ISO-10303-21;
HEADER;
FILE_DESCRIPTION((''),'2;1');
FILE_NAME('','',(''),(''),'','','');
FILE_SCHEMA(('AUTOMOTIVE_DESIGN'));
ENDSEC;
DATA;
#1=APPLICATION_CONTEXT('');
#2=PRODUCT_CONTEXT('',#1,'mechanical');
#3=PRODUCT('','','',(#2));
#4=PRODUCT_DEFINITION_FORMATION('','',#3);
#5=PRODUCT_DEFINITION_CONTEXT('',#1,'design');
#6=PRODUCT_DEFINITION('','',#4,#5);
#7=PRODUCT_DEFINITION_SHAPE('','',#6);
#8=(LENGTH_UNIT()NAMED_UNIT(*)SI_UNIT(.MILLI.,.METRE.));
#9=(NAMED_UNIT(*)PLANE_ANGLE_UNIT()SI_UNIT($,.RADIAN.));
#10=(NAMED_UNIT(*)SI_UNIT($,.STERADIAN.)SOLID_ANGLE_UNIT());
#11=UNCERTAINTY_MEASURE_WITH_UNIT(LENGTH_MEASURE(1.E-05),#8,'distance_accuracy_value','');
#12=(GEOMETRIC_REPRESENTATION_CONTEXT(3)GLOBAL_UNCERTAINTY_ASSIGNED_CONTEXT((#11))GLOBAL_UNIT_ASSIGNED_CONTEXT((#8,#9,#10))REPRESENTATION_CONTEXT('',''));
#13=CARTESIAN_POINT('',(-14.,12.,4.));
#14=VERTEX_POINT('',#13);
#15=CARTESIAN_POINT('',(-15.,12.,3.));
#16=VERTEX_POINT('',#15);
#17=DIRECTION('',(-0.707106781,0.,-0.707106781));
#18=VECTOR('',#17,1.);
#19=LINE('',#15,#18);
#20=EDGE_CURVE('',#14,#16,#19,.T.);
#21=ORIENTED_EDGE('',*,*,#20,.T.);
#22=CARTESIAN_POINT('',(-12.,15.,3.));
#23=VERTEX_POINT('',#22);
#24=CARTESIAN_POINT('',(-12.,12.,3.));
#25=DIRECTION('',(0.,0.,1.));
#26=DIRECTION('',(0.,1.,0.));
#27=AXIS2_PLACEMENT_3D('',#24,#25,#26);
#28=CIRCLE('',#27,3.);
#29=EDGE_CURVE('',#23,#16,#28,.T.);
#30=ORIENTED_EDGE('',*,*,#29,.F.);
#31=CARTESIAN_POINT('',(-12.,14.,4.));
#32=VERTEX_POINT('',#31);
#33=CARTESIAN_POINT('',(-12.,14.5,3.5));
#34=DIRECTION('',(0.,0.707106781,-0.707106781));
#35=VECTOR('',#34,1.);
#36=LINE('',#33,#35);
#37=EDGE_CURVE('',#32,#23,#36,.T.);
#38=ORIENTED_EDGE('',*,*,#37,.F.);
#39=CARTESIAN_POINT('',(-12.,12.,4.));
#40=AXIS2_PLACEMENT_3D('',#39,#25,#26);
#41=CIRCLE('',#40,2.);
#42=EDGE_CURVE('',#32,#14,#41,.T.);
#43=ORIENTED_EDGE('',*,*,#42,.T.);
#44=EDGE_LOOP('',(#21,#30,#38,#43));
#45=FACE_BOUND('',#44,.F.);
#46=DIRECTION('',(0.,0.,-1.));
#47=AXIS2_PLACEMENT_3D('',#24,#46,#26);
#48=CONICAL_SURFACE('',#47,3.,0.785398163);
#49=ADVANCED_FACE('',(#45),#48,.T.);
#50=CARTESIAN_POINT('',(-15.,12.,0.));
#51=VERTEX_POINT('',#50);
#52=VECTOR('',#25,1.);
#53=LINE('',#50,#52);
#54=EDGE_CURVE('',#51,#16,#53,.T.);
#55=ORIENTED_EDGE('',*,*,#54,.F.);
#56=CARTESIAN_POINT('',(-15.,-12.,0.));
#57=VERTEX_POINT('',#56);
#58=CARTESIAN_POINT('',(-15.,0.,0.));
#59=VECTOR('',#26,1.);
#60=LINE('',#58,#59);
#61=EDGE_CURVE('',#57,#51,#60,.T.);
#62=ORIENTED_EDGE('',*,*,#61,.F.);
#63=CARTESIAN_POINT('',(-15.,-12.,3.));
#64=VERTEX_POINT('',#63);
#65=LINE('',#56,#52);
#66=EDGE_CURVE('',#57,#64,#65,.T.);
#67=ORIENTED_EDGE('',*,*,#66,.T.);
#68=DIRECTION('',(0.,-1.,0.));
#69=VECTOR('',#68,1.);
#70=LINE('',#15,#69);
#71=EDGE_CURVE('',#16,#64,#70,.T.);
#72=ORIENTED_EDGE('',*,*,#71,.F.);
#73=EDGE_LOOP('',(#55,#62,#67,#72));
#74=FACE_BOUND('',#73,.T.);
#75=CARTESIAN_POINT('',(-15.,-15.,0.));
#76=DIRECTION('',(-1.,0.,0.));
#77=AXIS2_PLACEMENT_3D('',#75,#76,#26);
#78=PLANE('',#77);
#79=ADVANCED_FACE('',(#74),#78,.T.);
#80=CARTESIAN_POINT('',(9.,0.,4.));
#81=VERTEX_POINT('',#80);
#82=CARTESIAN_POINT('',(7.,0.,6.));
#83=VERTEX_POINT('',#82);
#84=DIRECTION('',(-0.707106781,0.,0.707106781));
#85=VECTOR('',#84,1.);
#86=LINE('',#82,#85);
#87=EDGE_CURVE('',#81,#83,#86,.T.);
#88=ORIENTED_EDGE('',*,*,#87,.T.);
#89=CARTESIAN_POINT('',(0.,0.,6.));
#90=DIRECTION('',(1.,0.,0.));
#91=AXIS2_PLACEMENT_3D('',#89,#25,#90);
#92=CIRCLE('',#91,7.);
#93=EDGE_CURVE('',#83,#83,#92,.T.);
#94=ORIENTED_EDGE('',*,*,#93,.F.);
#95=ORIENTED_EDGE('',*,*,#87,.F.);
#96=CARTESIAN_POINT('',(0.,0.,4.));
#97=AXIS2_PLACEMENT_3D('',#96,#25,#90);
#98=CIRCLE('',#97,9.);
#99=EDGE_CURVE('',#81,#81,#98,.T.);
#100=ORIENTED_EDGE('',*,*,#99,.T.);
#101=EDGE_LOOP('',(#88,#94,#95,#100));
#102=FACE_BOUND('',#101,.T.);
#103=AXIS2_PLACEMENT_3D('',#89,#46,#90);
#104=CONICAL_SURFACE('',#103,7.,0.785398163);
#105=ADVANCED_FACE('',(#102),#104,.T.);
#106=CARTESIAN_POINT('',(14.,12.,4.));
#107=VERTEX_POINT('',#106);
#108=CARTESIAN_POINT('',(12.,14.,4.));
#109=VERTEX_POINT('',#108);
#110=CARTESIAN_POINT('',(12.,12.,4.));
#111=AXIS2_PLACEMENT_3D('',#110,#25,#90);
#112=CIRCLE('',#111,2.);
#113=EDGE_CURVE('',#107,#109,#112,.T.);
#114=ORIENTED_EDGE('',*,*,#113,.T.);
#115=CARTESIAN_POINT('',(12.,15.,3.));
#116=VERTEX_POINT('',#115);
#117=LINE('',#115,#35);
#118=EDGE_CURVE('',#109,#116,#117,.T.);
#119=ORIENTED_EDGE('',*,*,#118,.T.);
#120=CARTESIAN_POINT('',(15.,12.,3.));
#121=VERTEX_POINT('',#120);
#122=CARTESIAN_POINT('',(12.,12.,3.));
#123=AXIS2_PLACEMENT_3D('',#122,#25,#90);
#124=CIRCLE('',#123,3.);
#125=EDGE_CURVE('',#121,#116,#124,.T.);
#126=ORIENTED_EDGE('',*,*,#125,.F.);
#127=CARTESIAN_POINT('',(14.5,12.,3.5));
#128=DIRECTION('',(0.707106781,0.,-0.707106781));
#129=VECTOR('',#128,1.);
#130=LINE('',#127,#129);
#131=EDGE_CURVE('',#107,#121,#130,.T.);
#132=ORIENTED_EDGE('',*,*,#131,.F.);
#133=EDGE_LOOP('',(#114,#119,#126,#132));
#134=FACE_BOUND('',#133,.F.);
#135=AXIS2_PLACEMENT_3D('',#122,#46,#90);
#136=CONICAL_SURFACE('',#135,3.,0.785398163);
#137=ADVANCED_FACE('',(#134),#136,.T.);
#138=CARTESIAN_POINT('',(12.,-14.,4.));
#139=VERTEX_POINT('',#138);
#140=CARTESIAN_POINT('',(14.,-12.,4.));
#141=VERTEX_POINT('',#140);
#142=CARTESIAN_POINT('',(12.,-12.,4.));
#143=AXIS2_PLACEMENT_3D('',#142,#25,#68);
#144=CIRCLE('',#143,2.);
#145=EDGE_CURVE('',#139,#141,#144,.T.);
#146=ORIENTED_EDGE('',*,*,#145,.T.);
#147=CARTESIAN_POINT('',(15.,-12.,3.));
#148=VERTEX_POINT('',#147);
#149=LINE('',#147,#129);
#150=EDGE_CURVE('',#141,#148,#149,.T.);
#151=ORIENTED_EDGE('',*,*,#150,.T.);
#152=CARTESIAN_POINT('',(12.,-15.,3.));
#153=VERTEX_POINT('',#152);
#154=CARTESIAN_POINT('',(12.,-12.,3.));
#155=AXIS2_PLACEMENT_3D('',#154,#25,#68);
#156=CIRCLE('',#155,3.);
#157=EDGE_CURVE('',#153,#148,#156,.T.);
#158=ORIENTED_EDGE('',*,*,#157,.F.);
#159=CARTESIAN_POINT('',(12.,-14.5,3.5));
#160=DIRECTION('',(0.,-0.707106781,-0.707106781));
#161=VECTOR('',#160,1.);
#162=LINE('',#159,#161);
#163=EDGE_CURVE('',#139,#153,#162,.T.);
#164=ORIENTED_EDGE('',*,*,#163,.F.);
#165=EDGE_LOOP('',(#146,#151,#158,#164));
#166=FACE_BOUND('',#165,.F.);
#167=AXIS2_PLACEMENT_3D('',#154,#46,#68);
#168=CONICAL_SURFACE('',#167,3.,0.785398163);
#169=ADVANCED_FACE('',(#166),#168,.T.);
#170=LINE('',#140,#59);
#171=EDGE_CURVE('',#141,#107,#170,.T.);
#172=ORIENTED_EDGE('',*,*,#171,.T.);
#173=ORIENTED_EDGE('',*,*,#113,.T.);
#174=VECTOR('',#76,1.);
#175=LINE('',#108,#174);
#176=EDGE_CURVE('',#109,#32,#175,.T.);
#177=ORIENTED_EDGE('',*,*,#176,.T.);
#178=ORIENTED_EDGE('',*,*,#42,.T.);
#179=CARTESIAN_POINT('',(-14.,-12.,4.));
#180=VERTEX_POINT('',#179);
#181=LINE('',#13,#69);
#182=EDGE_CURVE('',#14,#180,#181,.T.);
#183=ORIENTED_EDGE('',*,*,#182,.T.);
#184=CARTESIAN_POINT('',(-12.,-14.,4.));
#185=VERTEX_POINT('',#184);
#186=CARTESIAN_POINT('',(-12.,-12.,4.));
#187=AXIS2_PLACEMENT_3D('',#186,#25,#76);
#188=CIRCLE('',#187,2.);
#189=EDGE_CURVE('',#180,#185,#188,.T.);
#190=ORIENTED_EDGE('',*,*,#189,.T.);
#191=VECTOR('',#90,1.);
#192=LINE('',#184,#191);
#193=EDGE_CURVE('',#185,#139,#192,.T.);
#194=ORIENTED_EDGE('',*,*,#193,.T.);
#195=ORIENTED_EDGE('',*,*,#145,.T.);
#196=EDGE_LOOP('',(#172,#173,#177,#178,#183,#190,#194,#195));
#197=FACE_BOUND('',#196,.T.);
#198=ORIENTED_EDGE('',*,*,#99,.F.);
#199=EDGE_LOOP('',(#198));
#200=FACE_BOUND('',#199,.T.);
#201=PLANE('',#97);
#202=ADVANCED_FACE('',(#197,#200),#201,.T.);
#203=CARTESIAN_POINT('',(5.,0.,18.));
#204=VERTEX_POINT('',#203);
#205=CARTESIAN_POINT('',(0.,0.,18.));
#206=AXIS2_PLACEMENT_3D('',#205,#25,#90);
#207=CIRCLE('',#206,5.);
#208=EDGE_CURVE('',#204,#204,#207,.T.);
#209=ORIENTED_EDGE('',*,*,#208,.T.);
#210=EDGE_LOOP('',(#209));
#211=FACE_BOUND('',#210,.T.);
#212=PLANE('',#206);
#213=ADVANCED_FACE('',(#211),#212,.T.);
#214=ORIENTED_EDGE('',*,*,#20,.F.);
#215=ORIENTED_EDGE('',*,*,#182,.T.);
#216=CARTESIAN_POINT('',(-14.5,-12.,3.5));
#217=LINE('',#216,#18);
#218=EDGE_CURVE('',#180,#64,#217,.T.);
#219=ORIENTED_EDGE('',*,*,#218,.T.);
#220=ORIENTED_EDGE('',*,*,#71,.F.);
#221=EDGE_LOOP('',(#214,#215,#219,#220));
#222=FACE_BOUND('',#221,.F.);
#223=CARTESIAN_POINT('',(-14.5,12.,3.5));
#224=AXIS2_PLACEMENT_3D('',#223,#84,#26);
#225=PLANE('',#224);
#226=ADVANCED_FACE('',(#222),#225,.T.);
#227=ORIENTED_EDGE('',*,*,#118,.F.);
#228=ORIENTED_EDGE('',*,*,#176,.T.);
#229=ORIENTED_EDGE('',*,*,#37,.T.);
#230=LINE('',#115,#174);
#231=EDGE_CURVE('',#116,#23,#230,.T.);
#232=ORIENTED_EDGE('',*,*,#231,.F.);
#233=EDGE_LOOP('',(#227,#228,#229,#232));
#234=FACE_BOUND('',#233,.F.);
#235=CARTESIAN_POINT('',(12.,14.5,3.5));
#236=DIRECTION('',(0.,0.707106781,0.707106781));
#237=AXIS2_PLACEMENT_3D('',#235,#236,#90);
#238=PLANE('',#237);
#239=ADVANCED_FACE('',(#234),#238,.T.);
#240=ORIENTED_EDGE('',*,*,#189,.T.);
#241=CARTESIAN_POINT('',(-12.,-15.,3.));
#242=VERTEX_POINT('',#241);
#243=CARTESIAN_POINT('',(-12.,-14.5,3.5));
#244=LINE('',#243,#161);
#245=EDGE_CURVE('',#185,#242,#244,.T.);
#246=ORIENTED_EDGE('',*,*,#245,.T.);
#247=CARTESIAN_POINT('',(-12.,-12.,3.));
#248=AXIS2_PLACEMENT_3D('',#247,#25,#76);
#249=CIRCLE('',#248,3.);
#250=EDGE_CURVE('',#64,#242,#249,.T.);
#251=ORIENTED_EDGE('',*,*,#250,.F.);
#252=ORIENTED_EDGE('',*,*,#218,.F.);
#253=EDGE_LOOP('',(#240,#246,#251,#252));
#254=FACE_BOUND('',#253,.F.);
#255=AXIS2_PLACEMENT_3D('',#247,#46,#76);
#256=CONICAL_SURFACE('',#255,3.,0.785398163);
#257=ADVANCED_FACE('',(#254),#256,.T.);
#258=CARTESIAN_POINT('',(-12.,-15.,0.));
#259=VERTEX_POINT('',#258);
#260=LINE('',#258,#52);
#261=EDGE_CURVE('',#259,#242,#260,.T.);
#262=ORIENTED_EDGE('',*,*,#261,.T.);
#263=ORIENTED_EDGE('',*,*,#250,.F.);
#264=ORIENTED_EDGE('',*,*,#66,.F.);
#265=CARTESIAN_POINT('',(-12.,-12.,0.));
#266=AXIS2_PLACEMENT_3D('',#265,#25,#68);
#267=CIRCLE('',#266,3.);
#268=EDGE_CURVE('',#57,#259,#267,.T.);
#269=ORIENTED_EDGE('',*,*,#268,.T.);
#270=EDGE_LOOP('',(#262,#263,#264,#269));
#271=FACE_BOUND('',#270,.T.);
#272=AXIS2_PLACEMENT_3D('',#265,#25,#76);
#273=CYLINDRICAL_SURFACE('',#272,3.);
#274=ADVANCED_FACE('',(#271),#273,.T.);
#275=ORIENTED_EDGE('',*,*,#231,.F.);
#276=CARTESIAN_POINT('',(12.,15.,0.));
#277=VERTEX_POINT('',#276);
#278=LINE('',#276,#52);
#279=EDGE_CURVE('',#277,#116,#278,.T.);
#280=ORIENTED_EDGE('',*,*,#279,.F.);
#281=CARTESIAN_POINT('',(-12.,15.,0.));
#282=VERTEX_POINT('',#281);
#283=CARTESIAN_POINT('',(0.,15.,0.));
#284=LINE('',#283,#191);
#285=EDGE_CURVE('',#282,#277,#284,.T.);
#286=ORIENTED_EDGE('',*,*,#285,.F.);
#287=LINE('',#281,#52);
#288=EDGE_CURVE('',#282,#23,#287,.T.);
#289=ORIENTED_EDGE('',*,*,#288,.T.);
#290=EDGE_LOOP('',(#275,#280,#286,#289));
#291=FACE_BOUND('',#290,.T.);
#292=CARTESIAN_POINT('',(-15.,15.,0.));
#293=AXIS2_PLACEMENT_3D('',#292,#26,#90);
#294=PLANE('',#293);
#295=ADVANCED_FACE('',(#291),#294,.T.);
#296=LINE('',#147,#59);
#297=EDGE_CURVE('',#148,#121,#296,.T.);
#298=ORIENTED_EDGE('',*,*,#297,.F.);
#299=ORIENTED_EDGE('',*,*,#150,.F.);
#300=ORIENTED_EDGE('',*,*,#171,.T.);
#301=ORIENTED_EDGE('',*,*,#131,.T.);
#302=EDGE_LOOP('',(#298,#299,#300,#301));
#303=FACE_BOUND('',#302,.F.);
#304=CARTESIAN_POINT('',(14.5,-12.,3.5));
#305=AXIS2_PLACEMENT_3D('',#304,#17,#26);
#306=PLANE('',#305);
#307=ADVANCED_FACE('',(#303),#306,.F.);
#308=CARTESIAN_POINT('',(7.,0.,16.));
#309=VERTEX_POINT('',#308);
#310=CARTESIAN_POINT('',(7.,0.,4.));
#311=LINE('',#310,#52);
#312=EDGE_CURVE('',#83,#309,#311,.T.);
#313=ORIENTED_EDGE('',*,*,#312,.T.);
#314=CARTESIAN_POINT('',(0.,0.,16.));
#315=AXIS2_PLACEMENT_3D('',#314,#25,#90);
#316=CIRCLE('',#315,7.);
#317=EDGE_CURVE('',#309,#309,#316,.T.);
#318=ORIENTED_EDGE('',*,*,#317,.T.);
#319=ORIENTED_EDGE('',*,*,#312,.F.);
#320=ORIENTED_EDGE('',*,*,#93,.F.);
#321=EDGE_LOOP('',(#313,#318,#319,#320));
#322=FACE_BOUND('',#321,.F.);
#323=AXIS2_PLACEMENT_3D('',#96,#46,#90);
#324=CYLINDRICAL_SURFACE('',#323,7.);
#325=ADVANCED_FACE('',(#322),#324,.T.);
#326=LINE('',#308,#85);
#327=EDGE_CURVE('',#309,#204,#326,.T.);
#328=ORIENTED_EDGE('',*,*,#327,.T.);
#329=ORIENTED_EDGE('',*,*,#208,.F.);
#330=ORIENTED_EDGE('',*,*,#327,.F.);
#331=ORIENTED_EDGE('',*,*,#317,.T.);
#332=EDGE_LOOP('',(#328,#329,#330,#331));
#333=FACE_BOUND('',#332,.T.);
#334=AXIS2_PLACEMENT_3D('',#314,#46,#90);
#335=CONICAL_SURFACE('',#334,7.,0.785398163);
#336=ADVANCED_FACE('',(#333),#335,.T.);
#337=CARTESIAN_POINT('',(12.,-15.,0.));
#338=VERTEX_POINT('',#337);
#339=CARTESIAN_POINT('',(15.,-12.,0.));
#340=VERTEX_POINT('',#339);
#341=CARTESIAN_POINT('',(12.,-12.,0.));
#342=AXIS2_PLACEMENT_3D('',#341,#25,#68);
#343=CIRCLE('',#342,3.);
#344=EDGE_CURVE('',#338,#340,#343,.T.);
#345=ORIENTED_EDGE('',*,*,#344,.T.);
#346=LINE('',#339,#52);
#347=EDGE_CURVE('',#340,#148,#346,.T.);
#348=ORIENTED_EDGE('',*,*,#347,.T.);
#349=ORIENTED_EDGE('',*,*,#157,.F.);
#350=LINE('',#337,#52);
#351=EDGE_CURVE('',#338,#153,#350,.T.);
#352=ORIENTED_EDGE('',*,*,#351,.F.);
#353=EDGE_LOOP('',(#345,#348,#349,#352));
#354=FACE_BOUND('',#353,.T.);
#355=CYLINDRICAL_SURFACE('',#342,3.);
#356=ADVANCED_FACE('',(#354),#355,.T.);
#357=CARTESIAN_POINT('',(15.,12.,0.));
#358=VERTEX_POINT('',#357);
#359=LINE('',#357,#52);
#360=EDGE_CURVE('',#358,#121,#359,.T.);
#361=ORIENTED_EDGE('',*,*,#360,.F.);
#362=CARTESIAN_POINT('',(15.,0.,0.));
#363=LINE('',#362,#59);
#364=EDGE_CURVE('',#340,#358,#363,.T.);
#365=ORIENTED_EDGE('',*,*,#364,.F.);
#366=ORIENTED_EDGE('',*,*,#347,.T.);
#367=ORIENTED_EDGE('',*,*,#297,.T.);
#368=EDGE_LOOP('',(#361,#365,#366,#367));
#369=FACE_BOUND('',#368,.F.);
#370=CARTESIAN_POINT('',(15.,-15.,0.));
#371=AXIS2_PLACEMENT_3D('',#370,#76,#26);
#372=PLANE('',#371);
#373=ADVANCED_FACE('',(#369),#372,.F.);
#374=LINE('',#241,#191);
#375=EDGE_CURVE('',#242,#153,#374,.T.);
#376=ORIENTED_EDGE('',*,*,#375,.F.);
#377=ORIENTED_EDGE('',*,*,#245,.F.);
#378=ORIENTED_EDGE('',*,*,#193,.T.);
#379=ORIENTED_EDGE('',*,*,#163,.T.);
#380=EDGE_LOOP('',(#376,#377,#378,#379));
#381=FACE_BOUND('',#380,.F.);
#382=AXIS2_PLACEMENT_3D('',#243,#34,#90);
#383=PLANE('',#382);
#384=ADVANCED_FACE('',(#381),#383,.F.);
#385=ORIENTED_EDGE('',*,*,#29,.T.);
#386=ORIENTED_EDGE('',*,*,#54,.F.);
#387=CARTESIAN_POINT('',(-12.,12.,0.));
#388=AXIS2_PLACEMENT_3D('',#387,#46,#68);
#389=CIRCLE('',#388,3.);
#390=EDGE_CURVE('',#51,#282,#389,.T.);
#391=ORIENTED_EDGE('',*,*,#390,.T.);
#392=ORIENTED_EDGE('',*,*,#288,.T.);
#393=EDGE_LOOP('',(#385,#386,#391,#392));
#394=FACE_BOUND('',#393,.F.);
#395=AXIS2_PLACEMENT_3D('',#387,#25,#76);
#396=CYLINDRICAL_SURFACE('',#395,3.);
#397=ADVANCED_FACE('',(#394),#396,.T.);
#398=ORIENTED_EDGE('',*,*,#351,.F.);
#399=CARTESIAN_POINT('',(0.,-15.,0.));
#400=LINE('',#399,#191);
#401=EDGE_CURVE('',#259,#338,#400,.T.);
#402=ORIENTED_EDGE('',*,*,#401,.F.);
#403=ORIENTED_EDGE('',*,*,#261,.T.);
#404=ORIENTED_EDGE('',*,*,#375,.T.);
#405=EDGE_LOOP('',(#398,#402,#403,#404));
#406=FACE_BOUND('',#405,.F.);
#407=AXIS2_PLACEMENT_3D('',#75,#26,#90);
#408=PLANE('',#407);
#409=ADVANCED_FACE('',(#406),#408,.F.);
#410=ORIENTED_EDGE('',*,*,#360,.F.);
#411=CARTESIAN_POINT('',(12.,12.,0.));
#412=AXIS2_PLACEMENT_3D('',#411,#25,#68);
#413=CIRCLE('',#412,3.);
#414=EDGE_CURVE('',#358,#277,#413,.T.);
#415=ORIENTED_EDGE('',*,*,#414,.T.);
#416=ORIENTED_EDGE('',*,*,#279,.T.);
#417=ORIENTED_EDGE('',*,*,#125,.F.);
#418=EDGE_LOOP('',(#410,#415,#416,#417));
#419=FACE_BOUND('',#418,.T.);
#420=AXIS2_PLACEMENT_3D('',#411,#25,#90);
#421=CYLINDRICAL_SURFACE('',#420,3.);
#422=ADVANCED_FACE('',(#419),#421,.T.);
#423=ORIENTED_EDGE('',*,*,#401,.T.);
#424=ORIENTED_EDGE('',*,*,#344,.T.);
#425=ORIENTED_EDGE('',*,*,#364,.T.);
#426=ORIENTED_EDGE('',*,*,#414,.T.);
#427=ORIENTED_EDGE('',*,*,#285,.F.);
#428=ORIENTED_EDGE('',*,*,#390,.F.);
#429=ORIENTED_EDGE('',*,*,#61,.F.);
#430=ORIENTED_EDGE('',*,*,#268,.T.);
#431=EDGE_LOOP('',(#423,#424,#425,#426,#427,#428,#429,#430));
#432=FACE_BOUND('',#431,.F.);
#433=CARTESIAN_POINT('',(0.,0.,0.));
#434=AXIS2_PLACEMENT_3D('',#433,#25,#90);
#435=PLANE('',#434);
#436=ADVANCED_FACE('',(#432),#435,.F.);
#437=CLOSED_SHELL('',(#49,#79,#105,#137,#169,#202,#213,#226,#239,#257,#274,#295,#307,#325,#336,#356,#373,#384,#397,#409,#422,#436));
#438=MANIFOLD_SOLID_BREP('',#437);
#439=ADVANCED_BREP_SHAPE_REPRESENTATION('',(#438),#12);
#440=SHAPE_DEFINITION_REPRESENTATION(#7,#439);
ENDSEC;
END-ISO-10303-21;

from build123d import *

# Parameters (mm, degrees)
F0_W     = 30
F0_H     = 30
F1_DEPTH = 4
F2_R     = 3
F3_R     = 7
F4_DEPTH = 14
F5_SIZE  = 2
F6_SIZE  = 1


with BuildPart() as f1:
    # F0 (on Top) → F1 (new body)
    with BuildSketch(Plane.XY):
        Rectangle(F0_W, F0_H)
    extrude(amount=F1_DEPTH)

    # F2
    f2_edges = [f1.edges().sort_by_distance(p)[0] for p in [
        (15, 15, 2),
        (-15, 15, 2),
        (-15, -15, 2),
        (15, -15, 2),
    ]]
    fillet(f2_edges, radius=F2_R)

    # F3 (on face) → F4 (join)
    with BuildSketch(Plane.XY.offset(4)):
        Circle(F3_R)
    extrude(amount=F4_DEPTH)

    # F5
    f5_edges = [f1.edges().sort_by_distance(p)[0] for p in [
        (-7, 0, 18),
        (-7, 0, 4),
    ]]
    chamfer(f5_edges, length=F5_SIZE)

    # F6
    f6_edges = [f1.edges().sort_by_distance(p)[0] for p in [
        (0, -15, 4),
    ]]
    chamfer(f6_edges, length=F6_SIZE)


solid = f1.part
